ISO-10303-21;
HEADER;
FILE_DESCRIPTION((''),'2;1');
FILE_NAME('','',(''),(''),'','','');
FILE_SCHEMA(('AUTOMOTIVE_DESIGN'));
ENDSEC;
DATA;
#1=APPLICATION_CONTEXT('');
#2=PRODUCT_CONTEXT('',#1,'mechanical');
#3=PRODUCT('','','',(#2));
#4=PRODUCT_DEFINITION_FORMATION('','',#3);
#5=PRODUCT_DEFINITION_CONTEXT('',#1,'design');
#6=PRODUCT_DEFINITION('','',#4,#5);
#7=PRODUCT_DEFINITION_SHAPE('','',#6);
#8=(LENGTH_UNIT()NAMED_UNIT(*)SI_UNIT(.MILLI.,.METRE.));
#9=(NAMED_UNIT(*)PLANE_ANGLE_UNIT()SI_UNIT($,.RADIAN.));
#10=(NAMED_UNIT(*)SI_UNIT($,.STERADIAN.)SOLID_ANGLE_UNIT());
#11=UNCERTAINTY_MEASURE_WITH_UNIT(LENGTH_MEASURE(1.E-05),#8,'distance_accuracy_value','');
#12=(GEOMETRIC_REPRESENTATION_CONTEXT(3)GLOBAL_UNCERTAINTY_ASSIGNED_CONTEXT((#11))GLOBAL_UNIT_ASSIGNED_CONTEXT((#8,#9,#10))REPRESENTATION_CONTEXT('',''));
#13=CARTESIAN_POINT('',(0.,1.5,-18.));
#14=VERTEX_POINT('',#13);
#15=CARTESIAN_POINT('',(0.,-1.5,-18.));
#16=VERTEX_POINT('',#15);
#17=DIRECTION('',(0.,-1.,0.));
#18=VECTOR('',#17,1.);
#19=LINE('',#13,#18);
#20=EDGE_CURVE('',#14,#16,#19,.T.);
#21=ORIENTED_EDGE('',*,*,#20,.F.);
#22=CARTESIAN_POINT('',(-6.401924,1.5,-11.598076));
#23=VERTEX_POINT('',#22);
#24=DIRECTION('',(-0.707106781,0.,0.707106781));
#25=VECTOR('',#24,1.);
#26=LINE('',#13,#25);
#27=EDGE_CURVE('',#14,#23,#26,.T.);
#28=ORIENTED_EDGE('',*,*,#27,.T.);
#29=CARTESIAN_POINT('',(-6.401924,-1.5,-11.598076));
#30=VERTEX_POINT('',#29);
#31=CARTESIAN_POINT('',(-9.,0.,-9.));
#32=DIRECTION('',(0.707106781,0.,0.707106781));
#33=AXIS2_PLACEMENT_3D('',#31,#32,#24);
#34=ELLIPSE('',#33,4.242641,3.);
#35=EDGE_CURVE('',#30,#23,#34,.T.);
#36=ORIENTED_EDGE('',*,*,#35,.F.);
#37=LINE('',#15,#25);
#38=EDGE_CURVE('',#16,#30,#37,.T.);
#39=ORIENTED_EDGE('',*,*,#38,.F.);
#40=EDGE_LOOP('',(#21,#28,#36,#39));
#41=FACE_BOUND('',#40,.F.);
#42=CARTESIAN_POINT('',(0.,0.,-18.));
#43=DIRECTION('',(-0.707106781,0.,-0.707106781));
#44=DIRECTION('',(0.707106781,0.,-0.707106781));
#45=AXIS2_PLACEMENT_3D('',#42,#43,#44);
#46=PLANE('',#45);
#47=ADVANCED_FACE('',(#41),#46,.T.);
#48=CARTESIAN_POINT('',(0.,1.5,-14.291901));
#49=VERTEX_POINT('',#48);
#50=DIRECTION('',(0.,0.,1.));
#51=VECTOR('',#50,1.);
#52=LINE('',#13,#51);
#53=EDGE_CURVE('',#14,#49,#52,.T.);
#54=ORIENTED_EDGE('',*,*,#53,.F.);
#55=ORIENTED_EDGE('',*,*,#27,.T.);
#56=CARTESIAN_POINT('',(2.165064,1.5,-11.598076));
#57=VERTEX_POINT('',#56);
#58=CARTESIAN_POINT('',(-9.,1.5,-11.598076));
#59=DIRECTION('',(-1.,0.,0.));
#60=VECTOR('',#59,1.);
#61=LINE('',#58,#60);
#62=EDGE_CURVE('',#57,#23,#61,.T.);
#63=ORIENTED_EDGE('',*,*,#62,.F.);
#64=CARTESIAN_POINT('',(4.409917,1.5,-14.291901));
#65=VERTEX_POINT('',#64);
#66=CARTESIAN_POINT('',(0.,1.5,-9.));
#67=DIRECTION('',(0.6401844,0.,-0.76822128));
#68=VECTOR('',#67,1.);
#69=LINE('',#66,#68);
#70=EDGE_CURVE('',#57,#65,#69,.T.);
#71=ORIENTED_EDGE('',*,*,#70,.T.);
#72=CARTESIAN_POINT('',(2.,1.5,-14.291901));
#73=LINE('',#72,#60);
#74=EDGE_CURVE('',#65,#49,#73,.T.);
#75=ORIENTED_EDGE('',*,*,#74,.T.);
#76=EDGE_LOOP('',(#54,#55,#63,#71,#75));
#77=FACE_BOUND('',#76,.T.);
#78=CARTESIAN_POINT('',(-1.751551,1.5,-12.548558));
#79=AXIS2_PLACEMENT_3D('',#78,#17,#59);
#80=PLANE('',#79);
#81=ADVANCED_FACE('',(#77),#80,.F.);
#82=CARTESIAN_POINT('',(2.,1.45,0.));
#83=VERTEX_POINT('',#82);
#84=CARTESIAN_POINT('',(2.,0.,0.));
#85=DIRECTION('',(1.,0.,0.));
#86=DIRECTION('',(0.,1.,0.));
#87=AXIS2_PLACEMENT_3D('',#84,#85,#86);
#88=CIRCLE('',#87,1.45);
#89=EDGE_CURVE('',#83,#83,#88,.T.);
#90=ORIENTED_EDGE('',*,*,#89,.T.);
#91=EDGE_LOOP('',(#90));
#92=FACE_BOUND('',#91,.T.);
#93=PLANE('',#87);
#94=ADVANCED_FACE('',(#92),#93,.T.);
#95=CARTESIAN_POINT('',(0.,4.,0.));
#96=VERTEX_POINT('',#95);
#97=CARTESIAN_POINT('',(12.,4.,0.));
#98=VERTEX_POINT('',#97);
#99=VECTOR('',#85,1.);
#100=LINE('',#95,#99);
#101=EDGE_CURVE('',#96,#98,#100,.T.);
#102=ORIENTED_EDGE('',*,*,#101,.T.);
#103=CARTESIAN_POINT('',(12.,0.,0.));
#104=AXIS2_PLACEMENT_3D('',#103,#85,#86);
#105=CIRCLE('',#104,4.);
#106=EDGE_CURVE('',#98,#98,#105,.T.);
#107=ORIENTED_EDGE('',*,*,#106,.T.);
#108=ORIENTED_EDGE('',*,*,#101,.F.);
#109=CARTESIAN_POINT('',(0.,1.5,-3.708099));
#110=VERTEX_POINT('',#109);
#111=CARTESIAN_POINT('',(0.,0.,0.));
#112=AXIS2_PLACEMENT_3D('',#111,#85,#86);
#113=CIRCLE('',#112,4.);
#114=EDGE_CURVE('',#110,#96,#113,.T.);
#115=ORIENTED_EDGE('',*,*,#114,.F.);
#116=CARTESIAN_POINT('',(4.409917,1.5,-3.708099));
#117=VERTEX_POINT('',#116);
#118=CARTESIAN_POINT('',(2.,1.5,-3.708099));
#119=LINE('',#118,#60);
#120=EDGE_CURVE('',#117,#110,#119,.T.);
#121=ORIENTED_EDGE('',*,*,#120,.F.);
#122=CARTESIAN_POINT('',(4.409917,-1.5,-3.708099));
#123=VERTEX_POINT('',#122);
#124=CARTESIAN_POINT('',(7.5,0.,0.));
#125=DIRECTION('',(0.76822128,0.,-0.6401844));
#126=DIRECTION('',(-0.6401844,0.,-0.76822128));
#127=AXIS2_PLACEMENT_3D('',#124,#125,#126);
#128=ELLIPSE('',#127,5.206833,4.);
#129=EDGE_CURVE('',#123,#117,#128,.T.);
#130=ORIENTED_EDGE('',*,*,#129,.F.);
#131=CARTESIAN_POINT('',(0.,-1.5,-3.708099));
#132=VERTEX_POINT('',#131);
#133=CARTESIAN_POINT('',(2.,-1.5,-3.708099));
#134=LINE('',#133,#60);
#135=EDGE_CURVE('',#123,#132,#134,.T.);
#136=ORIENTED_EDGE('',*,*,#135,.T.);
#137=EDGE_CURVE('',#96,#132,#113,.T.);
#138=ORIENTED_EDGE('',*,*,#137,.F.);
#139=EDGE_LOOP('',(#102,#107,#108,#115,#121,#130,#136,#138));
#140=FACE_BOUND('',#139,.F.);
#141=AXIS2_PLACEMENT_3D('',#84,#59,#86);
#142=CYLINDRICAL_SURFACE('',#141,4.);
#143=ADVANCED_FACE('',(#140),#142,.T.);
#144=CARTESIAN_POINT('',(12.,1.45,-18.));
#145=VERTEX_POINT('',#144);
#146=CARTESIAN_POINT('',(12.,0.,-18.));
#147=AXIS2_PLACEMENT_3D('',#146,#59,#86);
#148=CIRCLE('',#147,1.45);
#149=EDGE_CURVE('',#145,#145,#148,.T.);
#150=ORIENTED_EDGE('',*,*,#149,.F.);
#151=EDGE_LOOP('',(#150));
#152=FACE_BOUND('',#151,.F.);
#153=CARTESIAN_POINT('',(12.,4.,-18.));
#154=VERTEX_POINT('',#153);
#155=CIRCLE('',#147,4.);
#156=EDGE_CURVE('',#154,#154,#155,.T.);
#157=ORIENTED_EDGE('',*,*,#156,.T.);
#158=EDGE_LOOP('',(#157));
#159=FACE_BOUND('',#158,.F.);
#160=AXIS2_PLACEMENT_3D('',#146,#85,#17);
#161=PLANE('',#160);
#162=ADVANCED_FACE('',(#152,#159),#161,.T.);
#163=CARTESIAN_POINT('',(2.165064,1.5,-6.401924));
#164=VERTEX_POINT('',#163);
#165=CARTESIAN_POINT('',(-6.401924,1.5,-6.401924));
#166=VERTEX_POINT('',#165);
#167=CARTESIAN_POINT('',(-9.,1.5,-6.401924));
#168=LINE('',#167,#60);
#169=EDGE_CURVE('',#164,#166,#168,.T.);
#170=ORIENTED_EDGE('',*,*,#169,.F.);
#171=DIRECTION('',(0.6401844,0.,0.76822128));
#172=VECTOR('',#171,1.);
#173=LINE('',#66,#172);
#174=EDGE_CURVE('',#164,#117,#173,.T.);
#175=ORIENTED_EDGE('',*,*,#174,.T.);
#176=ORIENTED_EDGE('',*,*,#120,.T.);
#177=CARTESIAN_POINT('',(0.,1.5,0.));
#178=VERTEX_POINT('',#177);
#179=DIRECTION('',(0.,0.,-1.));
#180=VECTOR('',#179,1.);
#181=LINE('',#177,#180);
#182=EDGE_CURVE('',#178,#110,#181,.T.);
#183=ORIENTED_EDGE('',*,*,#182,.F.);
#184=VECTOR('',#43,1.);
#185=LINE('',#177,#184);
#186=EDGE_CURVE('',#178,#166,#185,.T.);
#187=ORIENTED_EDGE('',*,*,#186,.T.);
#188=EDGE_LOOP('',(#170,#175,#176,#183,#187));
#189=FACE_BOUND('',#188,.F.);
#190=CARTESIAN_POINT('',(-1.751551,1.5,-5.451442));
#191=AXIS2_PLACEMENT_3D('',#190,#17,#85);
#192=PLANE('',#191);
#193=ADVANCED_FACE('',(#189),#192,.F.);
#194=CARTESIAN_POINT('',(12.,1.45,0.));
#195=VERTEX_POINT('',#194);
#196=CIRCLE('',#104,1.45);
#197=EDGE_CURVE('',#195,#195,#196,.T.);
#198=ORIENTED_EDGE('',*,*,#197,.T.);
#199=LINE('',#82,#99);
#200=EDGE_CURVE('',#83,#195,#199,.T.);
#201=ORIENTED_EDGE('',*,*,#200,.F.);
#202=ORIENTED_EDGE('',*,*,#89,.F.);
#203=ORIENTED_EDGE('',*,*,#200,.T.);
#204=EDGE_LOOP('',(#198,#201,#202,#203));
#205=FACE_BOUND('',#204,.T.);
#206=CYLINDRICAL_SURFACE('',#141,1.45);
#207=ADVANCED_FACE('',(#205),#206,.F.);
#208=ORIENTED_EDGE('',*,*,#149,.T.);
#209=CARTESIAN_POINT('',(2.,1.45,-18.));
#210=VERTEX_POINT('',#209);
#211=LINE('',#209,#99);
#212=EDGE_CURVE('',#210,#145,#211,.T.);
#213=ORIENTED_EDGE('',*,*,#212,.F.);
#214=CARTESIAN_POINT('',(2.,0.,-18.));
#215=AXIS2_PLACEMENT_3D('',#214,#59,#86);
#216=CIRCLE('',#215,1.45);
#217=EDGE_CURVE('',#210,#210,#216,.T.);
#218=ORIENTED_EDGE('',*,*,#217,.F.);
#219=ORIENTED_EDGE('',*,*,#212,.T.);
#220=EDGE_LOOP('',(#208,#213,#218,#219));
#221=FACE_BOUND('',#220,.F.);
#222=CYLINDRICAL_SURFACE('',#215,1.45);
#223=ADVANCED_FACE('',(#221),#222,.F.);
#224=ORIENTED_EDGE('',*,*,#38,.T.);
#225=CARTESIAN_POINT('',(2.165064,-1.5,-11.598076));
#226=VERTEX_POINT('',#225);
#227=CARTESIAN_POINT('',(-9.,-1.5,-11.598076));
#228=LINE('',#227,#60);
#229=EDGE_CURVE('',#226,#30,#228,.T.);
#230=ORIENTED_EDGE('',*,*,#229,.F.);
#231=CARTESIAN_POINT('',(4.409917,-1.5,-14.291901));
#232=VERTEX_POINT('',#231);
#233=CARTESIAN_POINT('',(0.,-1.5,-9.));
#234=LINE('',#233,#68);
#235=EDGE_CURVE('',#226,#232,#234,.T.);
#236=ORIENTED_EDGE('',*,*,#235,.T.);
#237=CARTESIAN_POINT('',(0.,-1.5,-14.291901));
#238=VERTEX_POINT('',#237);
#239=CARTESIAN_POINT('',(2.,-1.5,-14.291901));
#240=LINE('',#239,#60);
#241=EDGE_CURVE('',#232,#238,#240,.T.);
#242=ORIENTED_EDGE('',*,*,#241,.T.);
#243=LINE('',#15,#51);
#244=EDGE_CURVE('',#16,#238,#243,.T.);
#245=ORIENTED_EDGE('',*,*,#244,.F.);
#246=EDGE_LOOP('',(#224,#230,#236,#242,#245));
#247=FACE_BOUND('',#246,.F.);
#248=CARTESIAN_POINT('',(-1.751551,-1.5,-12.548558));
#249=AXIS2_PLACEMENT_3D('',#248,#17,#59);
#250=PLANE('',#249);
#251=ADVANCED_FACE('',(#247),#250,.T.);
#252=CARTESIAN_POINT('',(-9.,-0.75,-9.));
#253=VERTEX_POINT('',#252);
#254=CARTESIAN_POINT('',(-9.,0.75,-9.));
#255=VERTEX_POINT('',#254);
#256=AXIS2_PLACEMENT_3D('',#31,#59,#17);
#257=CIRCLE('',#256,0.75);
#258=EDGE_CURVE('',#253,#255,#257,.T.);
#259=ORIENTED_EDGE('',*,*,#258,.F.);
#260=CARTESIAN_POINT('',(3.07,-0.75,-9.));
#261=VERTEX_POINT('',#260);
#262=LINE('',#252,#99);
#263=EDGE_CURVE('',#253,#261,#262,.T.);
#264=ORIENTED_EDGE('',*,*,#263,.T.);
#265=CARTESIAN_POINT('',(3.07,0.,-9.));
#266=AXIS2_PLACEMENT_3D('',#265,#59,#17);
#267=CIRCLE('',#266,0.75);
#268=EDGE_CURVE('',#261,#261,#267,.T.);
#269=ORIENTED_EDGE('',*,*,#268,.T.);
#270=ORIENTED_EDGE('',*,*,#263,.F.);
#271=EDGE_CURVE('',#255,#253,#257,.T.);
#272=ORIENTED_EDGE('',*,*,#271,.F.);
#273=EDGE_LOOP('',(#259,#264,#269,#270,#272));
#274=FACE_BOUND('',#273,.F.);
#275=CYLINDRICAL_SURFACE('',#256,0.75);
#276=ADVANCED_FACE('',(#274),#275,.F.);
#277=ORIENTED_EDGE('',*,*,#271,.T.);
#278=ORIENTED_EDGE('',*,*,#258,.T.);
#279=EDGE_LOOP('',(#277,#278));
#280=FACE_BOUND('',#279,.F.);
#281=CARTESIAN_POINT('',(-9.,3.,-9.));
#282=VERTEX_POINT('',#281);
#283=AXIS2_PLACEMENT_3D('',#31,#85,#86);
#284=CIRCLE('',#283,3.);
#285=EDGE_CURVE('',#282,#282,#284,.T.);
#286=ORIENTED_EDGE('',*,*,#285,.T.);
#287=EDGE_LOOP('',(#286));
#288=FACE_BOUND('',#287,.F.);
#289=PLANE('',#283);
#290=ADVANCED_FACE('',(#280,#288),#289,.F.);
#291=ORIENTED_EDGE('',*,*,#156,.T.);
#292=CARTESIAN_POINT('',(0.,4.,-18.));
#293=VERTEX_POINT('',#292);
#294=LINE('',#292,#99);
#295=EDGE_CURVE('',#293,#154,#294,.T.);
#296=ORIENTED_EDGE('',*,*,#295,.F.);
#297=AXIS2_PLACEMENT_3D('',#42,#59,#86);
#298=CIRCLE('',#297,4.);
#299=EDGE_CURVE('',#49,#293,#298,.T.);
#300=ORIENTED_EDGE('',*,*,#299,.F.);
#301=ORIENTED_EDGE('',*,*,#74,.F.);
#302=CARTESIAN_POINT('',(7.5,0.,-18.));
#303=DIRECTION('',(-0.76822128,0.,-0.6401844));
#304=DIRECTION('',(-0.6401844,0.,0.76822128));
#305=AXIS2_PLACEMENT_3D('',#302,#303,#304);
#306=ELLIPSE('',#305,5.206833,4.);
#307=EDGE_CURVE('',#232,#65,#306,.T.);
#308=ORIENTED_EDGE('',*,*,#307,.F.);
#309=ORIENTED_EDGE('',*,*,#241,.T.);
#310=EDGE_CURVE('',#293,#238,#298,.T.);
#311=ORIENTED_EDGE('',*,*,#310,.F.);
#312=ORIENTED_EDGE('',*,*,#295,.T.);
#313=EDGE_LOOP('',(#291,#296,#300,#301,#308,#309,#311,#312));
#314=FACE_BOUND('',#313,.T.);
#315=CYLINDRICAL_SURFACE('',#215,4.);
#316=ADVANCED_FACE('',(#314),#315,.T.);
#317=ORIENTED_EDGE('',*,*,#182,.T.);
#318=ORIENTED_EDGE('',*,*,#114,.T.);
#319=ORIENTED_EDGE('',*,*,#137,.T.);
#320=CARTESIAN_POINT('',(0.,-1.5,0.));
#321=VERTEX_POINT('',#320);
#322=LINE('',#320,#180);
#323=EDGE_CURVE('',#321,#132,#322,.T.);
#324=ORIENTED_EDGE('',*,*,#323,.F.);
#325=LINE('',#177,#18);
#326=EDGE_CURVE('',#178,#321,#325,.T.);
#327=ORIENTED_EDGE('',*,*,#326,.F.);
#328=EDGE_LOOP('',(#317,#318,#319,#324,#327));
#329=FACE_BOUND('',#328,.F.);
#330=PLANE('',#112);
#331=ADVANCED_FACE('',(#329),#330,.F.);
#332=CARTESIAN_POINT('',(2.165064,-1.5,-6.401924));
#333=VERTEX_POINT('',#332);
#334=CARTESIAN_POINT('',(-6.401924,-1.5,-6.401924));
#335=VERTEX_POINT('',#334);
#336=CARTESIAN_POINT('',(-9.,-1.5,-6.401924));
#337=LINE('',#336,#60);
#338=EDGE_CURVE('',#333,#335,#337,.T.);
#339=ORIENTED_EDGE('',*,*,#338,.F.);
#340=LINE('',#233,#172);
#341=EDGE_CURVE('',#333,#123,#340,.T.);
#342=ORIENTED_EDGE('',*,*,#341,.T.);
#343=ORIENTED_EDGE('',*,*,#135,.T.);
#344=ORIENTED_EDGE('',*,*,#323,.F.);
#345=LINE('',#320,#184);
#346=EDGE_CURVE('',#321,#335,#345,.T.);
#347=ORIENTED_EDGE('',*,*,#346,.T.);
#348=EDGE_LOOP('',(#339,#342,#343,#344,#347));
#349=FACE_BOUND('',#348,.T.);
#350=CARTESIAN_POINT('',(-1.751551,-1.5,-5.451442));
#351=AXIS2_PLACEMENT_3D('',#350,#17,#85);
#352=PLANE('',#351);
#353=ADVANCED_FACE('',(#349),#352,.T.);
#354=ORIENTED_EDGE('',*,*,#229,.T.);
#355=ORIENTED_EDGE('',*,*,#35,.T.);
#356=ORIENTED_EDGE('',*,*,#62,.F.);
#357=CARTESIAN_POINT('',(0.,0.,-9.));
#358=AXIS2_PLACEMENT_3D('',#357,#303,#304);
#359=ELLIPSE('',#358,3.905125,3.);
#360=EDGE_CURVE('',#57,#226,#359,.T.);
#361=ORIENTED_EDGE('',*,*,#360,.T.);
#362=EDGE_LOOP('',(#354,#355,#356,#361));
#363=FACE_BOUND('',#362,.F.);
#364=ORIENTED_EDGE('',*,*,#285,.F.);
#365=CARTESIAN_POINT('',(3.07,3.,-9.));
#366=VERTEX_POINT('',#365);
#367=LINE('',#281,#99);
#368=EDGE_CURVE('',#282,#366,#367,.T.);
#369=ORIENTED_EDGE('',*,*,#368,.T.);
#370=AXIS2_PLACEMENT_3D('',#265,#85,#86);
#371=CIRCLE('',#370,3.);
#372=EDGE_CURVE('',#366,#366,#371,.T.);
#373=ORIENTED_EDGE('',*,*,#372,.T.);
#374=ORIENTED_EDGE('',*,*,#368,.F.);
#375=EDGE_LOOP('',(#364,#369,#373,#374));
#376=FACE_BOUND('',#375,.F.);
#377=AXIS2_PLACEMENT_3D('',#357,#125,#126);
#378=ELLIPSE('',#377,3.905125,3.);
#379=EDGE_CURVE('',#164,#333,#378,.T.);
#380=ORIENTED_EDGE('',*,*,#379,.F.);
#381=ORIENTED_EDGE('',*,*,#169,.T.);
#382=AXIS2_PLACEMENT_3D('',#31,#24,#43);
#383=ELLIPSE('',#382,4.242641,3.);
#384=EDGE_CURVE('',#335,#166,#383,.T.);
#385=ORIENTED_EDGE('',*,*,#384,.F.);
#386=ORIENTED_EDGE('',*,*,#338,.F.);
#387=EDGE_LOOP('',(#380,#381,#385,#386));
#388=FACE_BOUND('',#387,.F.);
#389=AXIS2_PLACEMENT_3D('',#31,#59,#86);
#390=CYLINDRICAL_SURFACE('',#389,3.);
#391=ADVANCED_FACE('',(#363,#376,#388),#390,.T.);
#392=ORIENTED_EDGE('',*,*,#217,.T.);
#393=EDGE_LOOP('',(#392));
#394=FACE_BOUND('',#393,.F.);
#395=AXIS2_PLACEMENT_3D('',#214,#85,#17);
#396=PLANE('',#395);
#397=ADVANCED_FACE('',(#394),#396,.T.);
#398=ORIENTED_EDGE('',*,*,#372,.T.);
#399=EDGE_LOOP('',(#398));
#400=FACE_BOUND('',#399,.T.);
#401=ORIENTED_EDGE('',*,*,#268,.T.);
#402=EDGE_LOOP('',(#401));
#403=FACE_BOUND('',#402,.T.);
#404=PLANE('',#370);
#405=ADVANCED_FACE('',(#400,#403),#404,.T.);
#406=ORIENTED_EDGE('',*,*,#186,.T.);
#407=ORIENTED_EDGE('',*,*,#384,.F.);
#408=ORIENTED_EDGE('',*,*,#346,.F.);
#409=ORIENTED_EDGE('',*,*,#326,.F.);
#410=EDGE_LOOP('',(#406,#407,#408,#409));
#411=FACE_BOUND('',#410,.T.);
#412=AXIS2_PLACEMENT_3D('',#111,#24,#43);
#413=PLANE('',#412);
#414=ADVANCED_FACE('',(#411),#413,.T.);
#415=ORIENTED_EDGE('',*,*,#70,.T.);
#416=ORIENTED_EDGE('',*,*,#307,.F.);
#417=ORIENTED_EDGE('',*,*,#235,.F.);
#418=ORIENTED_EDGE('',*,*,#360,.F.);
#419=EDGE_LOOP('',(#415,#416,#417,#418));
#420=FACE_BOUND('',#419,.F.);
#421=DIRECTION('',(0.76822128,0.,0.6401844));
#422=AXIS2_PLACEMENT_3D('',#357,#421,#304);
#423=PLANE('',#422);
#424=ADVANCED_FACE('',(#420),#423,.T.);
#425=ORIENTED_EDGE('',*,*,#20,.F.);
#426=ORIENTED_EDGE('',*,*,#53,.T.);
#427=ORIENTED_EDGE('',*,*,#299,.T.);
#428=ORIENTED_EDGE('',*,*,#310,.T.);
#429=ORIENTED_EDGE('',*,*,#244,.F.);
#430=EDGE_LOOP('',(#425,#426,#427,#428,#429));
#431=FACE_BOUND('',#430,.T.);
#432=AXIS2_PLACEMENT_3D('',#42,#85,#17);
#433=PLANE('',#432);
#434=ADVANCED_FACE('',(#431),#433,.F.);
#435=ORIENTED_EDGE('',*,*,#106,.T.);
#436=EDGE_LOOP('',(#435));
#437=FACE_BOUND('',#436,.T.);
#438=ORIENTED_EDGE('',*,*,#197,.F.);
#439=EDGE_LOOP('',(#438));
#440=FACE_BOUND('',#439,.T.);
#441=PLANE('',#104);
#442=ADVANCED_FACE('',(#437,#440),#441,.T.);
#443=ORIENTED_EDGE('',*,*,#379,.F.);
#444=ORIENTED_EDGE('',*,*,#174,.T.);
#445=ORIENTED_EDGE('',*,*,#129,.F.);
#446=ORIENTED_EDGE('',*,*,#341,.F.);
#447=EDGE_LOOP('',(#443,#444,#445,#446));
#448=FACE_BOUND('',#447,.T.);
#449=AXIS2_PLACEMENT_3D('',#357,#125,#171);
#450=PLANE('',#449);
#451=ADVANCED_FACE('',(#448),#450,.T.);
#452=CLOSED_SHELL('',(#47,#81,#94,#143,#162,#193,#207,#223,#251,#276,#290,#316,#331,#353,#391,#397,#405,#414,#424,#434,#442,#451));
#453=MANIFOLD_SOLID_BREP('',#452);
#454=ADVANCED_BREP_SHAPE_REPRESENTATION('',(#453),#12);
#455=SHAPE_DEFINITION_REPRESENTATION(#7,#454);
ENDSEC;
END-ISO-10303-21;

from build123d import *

# Parameters (mm, degrees)
F0_R      = 4
F1_DEPTH  = 2
F2_R      = 4
F2_R_2    = 1.45
F3_DEPTH  = 10
F5_DEPTH  = 1.5
F8_R      = 3
F9_DEPTH  = 12.07
F10_R     = 0.75
F11_DEPTH = 25


with BuildPart() as f1:
    # F0 (on Right) → F1 (new body)
    with BuildSketch(Plane.YZ):
        Circle(F0_R)
    extrude(amount=F1_DEPTH)

    # F2 (on face) → F3 (join)
    with BuildSketch(Plane.YZ.offset(2)):
        Circle(F2_R)
        Circle(F2_R_2, mode=Mode.SUBTRACT)
    extrude(amount=F3_DEPTH)

    # F4 (on Front) → F5 (join, symmetric)
    with BuildSketch(Plane.XZ):
        Polygon((0, -3), (0, 0), (-9, -9), (0, -9), (5, -3), align=None)
    extrude(amount=F5_DEPTH, both=True)

    # F8 (on plane+point) → F9 (join)
    with BuildSketch(Plane.YZ.offset(-9)):
        with Locations((0, -9)):
            Circle(F8_R)
    extrude(amount=F9_DEPTH)

    # F10 (on face) → F11 (cut)
    with BuildSketch(Plane(origin=(-9, 0, 0), x_dir=(0, -1, 0), z_dir=(-1, 0, 0))):
        with Locations((0, -9)):
            Circle(F10_R)
    extrude(amount=-F11_DEPTH, mode=Mode.SUBTRACT)

    # F13: F1 across plane


with BuildPart() as f1_1:
    add(f1.part)
    add(f1.part.mirror(Plane.XY.offset(-9)))


solid = f1_1.part
